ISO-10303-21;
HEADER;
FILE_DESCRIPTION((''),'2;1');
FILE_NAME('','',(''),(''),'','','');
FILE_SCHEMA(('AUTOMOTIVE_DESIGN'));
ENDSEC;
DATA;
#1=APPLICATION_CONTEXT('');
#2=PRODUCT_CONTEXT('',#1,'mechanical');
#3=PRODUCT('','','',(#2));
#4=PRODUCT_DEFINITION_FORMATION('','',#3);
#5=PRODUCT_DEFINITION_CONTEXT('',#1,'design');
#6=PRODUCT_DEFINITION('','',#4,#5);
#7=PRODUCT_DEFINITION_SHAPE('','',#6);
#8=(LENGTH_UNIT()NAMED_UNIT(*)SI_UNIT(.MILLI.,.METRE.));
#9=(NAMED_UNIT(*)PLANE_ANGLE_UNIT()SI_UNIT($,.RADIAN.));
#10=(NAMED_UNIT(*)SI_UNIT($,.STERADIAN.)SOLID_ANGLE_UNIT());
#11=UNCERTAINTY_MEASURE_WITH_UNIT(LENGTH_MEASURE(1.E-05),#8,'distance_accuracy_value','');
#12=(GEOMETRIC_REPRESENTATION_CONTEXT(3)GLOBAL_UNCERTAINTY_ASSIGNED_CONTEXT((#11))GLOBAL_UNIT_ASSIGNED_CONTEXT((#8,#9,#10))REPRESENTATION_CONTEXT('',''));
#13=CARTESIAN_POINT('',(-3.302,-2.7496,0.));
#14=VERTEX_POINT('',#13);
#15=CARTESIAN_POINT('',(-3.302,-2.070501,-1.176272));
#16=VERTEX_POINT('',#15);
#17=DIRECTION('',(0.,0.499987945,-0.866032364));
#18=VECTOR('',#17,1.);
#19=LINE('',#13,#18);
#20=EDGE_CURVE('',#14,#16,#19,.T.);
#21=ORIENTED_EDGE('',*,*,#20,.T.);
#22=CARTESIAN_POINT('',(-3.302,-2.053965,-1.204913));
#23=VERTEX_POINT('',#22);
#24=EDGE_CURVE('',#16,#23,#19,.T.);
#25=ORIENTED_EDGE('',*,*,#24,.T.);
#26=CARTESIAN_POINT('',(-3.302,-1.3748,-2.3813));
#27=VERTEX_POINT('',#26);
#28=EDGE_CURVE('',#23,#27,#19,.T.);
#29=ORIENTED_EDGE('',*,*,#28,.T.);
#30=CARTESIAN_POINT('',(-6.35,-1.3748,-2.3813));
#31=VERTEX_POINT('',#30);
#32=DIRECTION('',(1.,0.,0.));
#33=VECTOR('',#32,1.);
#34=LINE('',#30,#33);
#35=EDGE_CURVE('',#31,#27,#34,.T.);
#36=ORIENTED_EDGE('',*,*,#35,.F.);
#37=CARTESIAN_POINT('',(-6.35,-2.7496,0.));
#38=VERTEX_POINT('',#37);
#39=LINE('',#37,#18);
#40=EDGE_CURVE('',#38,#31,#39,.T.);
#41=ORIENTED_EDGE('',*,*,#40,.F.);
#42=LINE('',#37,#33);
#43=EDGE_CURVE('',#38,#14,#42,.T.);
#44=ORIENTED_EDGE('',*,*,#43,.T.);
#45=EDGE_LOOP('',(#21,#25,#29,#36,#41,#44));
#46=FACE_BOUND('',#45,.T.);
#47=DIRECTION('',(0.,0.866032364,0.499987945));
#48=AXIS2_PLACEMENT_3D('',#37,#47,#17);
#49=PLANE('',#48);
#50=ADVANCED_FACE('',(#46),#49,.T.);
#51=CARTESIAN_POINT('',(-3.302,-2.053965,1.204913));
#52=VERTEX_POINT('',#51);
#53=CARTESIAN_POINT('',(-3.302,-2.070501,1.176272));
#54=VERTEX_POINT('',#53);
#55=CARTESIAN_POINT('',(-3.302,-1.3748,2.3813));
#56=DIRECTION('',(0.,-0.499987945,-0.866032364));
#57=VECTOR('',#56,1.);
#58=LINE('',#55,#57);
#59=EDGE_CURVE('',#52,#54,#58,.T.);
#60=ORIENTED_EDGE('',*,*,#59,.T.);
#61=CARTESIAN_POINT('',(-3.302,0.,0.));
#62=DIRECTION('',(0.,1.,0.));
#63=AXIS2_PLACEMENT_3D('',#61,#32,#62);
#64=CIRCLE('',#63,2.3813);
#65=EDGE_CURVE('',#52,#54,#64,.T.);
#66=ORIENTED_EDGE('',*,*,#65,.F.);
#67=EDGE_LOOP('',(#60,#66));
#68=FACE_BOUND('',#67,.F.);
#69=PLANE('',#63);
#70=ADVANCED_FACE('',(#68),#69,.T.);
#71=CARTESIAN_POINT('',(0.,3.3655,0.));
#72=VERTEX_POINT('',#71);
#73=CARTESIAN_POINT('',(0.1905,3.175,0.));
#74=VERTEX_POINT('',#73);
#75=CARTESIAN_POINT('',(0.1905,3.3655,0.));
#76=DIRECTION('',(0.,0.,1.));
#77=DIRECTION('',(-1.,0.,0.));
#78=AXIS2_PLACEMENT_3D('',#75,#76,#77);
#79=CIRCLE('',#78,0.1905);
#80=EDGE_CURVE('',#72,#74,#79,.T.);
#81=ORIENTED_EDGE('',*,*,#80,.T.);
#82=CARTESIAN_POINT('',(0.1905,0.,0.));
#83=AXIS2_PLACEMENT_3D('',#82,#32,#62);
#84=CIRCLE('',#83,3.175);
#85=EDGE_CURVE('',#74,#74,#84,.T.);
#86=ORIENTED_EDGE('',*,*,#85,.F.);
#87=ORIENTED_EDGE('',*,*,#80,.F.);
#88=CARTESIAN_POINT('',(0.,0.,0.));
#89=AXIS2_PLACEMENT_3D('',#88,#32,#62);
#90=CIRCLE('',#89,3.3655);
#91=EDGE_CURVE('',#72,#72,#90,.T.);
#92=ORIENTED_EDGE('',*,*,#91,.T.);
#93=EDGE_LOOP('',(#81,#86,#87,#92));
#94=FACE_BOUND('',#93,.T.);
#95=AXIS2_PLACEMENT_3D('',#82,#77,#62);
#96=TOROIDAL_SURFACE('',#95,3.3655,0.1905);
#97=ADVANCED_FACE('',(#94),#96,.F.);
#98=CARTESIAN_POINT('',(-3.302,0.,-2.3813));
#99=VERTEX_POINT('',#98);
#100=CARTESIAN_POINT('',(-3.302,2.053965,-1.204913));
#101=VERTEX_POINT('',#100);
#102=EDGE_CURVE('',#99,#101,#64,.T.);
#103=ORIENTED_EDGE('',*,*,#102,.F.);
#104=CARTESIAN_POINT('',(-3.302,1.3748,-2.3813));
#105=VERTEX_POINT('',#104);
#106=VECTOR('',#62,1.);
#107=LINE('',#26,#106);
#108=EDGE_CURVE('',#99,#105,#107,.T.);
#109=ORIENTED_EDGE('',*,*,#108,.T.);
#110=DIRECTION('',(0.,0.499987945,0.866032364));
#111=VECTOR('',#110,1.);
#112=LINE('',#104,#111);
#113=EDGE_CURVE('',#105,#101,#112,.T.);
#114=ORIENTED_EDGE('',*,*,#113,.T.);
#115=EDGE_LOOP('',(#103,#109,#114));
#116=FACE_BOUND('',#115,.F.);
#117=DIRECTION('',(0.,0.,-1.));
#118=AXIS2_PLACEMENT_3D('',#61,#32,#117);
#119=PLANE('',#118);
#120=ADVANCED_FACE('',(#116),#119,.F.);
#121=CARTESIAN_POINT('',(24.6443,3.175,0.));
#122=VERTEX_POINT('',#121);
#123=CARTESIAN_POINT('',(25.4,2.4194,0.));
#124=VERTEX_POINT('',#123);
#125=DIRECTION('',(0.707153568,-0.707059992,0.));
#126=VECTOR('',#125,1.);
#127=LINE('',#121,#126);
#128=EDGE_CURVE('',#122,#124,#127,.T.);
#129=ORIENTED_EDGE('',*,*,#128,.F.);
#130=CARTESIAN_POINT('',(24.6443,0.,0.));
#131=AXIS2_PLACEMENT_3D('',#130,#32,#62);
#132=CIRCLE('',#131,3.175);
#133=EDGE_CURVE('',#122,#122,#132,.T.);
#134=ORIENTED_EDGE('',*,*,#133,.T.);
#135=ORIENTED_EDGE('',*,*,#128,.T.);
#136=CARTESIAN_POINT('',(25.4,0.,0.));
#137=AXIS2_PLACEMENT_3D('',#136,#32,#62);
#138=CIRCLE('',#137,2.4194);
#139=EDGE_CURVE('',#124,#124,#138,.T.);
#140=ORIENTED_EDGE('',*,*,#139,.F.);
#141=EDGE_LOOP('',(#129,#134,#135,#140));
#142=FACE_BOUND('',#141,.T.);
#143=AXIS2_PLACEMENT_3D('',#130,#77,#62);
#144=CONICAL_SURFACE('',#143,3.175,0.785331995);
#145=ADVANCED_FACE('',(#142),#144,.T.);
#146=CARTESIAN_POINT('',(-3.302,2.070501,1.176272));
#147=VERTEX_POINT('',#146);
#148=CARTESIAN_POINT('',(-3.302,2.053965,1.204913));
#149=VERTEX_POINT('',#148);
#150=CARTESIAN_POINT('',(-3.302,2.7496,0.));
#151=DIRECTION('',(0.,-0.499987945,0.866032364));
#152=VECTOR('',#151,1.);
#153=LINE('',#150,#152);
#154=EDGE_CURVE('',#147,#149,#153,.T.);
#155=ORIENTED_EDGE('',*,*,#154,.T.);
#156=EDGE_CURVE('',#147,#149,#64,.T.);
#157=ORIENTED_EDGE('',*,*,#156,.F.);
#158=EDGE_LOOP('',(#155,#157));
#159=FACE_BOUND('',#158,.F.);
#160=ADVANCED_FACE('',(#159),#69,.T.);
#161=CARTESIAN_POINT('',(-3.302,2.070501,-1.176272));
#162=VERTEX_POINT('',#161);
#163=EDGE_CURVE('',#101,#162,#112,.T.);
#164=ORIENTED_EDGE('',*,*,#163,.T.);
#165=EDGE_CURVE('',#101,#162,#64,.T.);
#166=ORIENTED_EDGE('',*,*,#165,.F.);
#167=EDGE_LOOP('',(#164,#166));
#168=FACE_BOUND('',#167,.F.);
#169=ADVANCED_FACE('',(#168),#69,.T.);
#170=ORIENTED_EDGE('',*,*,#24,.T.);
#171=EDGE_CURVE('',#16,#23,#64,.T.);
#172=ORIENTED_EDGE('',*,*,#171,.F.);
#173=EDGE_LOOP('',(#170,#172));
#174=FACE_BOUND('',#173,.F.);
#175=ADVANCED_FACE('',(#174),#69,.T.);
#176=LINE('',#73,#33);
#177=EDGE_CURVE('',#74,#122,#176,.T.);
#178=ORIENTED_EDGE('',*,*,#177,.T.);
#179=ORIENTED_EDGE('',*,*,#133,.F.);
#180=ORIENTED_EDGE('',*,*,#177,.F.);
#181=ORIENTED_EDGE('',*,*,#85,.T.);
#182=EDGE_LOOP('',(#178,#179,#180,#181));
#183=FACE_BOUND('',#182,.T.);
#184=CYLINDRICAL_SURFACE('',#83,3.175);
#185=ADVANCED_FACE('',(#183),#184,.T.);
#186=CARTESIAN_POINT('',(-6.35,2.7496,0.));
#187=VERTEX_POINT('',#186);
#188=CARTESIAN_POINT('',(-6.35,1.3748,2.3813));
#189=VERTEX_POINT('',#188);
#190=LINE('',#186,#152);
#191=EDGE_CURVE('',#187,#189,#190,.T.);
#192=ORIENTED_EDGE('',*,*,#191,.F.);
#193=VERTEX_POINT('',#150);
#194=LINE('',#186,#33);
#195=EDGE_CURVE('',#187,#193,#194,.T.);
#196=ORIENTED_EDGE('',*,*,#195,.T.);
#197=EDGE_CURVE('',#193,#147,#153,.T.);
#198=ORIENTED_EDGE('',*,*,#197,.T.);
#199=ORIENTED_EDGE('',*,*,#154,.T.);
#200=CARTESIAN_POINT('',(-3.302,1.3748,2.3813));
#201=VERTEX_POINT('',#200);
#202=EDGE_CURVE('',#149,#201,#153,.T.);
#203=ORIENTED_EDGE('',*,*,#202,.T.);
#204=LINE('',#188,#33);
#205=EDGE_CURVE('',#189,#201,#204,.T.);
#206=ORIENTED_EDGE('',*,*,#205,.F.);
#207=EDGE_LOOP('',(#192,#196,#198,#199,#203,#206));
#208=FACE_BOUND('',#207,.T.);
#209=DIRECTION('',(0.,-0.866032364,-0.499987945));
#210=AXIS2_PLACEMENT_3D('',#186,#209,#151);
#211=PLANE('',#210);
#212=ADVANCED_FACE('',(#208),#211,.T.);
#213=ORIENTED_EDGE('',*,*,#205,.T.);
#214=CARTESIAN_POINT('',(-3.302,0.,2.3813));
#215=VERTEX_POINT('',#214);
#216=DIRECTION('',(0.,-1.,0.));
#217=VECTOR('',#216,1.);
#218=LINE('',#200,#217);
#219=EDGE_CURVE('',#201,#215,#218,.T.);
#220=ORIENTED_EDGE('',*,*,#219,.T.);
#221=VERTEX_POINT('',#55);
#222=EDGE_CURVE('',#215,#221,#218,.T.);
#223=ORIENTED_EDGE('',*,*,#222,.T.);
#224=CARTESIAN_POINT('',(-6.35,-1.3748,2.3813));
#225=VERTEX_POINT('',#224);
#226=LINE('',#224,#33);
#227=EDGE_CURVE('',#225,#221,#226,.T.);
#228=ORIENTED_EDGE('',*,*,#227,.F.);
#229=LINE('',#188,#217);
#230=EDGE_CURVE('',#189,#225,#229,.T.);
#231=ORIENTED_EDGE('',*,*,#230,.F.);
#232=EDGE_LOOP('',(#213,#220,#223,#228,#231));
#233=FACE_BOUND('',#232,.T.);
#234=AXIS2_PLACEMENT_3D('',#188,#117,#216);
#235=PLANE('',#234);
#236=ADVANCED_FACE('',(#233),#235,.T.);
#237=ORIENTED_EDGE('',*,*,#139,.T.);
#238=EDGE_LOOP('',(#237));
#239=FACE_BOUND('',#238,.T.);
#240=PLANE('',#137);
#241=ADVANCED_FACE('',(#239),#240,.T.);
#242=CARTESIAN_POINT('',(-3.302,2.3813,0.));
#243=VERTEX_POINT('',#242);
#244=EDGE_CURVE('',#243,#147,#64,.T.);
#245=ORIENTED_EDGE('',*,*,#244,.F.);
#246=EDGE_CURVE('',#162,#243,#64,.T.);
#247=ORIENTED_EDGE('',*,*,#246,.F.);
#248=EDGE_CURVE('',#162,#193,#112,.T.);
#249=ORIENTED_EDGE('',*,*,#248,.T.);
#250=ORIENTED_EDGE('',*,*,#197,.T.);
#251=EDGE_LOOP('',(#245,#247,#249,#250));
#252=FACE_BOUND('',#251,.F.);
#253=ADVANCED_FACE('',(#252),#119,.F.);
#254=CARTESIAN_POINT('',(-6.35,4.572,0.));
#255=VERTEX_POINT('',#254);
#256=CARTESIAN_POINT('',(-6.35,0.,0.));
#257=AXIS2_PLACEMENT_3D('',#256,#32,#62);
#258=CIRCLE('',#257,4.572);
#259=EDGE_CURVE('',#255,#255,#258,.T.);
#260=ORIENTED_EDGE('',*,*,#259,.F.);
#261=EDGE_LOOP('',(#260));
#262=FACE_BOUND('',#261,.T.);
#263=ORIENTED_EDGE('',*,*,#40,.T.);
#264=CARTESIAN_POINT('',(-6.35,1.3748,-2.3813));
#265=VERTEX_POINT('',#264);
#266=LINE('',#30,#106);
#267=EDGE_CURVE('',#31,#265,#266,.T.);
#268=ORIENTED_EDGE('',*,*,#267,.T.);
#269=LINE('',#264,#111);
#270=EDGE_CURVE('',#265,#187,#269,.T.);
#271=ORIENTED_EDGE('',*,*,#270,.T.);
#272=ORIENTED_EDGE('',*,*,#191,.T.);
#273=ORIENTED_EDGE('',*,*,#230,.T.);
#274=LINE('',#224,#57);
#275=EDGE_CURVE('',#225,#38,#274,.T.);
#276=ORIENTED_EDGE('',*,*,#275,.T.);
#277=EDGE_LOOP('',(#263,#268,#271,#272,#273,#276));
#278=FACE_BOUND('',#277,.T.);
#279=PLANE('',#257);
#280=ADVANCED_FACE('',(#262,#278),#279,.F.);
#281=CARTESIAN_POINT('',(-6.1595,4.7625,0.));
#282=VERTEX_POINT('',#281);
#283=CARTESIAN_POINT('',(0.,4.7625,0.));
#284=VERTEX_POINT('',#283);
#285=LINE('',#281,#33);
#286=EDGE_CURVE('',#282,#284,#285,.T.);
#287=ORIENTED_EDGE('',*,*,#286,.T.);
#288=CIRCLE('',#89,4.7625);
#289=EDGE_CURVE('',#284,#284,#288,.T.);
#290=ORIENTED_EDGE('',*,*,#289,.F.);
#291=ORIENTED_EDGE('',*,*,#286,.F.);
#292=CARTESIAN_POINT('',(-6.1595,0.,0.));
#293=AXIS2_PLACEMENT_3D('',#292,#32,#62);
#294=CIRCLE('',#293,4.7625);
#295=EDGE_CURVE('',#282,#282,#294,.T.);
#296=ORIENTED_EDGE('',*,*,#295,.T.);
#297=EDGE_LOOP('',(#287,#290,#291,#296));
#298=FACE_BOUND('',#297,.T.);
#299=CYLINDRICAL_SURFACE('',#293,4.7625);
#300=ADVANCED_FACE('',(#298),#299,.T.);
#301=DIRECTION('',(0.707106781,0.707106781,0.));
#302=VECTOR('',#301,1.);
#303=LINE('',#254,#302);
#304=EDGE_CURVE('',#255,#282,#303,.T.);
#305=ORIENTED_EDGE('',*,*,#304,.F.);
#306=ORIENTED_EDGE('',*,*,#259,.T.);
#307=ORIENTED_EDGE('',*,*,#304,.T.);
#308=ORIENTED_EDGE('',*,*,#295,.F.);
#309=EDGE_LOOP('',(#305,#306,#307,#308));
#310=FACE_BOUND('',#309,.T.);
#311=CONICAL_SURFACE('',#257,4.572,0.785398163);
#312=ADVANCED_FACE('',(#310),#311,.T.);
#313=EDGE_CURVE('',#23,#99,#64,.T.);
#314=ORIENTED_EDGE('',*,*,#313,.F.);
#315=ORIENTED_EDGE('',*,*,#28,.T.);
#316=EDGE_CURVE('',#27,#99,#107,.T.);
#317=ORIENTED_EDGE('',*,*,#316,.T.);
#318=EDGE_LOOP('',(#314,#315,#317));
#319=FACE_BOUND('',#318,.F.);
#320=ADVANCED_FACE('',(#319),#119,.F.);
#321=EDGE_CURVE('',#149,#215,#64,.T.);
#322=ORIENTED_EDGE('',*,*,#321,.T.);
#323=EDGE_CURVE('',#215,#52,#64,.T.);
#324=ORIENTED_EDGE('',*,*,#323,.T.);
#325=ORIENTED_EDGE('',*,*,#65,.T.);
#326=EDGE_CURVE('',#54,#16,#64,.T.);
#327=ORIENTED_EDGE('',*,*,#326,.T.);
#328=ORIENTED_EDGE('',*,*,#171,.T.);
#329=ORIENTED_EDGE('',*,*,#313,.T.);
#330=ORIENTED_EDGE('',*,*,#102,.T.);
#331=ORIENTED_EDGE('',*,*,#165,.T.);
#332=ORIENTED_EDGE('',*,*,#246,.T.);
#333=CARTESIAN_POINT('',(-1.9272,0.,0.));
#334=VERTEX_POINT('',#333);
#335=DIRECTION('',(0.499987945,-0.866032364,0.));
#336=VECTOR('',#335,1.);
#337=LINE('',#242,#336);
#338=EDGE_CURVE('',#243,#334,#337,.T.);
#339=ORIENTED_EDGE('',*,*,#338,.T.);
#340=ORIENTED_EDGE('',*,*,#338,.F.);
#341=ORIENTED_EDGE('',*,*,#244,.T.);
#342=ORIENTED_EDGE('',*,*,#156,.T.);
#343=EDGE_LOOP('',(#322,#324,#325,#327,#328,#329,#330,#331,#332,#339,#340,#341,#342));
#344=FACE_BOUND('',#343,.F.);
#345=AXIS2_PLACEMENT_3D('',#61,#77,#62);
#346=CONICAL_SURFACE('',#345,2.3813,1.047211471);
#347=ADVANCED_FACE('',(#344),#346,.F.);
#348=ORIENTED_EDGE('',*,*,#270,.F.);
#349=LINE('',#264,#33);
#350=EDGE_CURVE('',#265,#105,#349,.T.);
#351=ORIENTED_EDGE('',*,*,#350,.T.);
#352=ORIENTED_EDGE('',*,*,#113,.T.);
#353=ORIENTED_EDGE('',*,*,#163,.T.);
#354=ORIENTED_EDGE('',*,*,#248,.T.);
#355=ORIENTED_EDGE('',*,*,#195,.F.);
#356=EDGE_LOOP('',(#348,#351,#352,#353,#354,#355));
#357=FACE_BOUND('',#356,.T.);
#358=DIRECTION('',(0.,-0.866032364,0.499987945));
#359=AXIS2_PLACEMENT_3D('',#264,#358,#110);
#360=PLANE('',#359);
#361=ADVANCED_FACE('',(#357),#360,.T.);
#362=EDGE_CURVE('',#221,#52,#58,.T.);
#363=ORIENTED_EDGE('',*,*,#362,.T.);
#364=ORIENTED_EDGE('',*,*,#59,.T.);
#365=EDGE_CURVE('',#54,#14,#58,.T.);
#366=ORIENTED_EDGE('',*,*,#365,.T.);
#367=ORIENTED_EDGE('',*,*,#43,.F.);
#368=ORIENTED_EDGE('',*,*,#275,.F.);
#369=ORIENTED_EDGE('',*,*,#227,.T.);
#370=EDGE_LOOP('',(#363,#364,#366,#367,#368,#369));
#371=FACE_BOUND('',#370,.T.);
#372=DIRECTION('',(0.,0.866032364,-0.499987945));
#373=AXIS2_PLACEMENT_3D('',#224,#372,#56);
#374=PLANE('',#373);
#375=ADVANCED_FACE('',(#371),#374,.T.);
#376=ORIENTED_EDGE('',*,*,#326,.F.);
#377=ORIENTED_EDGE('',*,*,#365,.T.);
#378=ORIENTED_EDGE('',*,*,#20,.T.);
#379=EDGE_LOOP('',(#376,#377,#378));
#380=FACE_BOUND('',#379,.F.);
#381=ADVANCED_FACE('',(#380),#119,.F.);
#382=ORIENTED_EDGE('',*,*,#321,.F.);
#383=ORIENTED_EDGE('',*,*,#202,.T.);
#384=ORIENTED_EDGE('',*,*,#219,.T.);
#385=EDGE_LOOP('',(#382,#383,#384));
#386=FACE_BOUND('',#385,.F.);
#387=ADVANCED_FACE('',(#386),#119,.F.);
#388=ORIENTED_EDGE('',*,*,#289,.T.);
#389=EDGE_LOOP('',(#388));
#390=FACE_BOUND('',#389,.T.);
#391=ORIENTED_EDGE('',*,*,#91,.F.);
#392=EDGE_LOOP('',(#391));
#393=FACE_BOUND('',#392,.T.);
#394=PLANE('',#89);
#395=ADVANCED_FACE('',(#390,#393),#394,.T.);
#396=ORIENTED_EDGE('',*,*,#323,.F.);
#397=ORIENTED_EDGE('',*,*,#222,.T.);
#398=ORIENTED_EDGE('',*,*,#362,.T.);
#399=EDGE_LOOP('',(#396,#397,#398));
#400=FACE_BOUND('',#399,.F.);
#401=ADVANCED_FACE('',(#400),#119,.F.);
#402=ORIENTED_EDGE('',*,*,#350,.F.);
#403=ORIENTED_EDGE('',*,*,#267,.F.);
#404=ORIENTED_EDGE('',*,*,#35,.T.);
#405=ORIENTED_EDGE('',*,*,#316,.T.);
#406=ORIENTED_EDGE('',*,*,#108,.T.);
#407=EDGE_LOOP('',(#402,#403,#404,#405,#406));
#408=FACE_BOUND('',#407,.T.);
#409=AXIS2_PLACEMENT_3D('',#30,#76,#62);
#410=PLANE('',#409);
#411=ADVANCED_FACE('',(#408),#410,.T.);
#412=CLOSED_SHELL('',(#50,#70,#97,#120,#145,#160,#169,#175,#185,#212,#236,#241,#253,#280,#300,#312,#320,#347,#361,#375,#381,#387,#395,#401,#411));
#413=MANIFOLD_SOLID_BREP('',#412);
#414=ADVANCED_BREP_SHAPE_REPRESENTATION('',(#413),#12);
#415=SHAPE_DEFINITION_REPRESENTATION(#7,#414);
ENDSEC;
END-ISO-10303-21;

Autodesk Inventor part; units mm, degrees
sketch "Sketch_1" plane through (0, 0, 0) normal (0, 0, 1) x (1, 0, 0)
  line L0 (25.4, 0) -> (-6.35, 0)
  line L1 (-6.35, 0) -> (-6.35, 4.572)
  line L2 (-6.35, 4.572) -> (-6.1595, 4.7625)
  line L3 (-6.1595, 4.7625) -> (0, 4.7625)
  line L4 (0, 4.7625) -> (0, 3.3655)
  arc A0 (0, 3.3655) -> (0.1905, 3.175) centre (0.1905, 3.3655) ccw
  line L5 (0.1905, 3.175) -> (24.6443, 3.175)
  line L6 (24.6443, 3.175) -> (25.4, 2.4194)
  line L7 (25.4, 2.4194) -> (25.4, 0)
  line L8 (25.4, 0) -> (-6.35, 0)
revolve "Revolution1" add sketch "Sketch_1" angle 360 about axis through (25.4, 0, 0) along (1, 0, 0)
thread "Thread1" size "1/4-20 UNC" class "2A" standard "ANSI Unified Screw Threads" length 18.2943
sketch "Sketch_3" plane through (-6.35, 0, 0) normal (1, 0, 0) x (0, 0, -1)
  line L0 (-2.3813, -1.3748) -> (0, -2.7496)
  line L1 (0, -2.7496) -> (2.3813, -1.3748)
  line L2 (2.3813, -1.3748) -> (2.3813, 1.3748)
  line L3 (2.3813, 1.3748) -> (0, 2.7496)
  line L4 (0, 2.7496) -> (-2.3813, 1.3748)
  line L5 (-2.3813, 1.3748) -> (-2.3813, -1.3748)
extrude "Extrusion1" cut sketch "Sketch_3" along normal blind 3.048
sketch "Sketch_4" plane through (0, 0, 0) normal (0, 0, 1) x (1, 0, 0)
  line L0 (-1.9272, 0) -> (-3.302, 0)
  line L1 (-3.302, 0) -> (-3.302, 2.3813)
  line L2 (-3.302, 2.3813) -> (-1.9272, 0)
  line L3 (-1.9272, 0) -> (-3.302, 0)
revolve "Revolution2" cut sketch "Sketch_4" angle 360 about axis through (-1.9272, 0, 0) along (1, 0, 0)
ref_plane "screw_XY" through (0, 0, 0) normal (1, 0, 0) x (0, 0, -1)
ref_plane "screw_YZ" through (0, 0, 0) normal (0, 0, -1) x (0, 1, 0)
ref_plane "screw_ZX" through (0, 0, 0) normal (0, 1, 0) x (1, 0, 0)
ref_plane "screw1_XY" through (25.4, 0, 0) normal (1, 0, 0) x (0, 0, -1)
ref_plane "screw1_YZ" through (25.4, 0, 0) normal (0, 0, -1) x (0, 1, 0)
ref_plane "screw1_ZX" through (25.4, 0, 0) normal (0, 1, 0) x (1, 0, 0)
ref_plane "screw2_XY" through (20.32, 0, 0) normal (1, 0, 0) x (0, 0, -1)
ref_plane "screw2_YZ" through (20.32, 0, 0) normal (0, 0, -1) x (0, 1, 0)
ref_plane "screw2_ZX" through (20.32, 0, 0) normal (0, 1, 0) x (1, 0, 0)
ref_plane "to_tnut_XY" through (7.366, 0, 0) normal (1, 0, 0) x (0, 0, -1)
ref_plane "to_tnut_YZ" through (7.366, 0, 0) normal (0, 0, -1) x (0, 1, 0)
ref_plane "to_tnut_ZX" through (7.366, 0, 0) normal (0, 1, 0) x (1, 0, 0)
properties part number "3071"
